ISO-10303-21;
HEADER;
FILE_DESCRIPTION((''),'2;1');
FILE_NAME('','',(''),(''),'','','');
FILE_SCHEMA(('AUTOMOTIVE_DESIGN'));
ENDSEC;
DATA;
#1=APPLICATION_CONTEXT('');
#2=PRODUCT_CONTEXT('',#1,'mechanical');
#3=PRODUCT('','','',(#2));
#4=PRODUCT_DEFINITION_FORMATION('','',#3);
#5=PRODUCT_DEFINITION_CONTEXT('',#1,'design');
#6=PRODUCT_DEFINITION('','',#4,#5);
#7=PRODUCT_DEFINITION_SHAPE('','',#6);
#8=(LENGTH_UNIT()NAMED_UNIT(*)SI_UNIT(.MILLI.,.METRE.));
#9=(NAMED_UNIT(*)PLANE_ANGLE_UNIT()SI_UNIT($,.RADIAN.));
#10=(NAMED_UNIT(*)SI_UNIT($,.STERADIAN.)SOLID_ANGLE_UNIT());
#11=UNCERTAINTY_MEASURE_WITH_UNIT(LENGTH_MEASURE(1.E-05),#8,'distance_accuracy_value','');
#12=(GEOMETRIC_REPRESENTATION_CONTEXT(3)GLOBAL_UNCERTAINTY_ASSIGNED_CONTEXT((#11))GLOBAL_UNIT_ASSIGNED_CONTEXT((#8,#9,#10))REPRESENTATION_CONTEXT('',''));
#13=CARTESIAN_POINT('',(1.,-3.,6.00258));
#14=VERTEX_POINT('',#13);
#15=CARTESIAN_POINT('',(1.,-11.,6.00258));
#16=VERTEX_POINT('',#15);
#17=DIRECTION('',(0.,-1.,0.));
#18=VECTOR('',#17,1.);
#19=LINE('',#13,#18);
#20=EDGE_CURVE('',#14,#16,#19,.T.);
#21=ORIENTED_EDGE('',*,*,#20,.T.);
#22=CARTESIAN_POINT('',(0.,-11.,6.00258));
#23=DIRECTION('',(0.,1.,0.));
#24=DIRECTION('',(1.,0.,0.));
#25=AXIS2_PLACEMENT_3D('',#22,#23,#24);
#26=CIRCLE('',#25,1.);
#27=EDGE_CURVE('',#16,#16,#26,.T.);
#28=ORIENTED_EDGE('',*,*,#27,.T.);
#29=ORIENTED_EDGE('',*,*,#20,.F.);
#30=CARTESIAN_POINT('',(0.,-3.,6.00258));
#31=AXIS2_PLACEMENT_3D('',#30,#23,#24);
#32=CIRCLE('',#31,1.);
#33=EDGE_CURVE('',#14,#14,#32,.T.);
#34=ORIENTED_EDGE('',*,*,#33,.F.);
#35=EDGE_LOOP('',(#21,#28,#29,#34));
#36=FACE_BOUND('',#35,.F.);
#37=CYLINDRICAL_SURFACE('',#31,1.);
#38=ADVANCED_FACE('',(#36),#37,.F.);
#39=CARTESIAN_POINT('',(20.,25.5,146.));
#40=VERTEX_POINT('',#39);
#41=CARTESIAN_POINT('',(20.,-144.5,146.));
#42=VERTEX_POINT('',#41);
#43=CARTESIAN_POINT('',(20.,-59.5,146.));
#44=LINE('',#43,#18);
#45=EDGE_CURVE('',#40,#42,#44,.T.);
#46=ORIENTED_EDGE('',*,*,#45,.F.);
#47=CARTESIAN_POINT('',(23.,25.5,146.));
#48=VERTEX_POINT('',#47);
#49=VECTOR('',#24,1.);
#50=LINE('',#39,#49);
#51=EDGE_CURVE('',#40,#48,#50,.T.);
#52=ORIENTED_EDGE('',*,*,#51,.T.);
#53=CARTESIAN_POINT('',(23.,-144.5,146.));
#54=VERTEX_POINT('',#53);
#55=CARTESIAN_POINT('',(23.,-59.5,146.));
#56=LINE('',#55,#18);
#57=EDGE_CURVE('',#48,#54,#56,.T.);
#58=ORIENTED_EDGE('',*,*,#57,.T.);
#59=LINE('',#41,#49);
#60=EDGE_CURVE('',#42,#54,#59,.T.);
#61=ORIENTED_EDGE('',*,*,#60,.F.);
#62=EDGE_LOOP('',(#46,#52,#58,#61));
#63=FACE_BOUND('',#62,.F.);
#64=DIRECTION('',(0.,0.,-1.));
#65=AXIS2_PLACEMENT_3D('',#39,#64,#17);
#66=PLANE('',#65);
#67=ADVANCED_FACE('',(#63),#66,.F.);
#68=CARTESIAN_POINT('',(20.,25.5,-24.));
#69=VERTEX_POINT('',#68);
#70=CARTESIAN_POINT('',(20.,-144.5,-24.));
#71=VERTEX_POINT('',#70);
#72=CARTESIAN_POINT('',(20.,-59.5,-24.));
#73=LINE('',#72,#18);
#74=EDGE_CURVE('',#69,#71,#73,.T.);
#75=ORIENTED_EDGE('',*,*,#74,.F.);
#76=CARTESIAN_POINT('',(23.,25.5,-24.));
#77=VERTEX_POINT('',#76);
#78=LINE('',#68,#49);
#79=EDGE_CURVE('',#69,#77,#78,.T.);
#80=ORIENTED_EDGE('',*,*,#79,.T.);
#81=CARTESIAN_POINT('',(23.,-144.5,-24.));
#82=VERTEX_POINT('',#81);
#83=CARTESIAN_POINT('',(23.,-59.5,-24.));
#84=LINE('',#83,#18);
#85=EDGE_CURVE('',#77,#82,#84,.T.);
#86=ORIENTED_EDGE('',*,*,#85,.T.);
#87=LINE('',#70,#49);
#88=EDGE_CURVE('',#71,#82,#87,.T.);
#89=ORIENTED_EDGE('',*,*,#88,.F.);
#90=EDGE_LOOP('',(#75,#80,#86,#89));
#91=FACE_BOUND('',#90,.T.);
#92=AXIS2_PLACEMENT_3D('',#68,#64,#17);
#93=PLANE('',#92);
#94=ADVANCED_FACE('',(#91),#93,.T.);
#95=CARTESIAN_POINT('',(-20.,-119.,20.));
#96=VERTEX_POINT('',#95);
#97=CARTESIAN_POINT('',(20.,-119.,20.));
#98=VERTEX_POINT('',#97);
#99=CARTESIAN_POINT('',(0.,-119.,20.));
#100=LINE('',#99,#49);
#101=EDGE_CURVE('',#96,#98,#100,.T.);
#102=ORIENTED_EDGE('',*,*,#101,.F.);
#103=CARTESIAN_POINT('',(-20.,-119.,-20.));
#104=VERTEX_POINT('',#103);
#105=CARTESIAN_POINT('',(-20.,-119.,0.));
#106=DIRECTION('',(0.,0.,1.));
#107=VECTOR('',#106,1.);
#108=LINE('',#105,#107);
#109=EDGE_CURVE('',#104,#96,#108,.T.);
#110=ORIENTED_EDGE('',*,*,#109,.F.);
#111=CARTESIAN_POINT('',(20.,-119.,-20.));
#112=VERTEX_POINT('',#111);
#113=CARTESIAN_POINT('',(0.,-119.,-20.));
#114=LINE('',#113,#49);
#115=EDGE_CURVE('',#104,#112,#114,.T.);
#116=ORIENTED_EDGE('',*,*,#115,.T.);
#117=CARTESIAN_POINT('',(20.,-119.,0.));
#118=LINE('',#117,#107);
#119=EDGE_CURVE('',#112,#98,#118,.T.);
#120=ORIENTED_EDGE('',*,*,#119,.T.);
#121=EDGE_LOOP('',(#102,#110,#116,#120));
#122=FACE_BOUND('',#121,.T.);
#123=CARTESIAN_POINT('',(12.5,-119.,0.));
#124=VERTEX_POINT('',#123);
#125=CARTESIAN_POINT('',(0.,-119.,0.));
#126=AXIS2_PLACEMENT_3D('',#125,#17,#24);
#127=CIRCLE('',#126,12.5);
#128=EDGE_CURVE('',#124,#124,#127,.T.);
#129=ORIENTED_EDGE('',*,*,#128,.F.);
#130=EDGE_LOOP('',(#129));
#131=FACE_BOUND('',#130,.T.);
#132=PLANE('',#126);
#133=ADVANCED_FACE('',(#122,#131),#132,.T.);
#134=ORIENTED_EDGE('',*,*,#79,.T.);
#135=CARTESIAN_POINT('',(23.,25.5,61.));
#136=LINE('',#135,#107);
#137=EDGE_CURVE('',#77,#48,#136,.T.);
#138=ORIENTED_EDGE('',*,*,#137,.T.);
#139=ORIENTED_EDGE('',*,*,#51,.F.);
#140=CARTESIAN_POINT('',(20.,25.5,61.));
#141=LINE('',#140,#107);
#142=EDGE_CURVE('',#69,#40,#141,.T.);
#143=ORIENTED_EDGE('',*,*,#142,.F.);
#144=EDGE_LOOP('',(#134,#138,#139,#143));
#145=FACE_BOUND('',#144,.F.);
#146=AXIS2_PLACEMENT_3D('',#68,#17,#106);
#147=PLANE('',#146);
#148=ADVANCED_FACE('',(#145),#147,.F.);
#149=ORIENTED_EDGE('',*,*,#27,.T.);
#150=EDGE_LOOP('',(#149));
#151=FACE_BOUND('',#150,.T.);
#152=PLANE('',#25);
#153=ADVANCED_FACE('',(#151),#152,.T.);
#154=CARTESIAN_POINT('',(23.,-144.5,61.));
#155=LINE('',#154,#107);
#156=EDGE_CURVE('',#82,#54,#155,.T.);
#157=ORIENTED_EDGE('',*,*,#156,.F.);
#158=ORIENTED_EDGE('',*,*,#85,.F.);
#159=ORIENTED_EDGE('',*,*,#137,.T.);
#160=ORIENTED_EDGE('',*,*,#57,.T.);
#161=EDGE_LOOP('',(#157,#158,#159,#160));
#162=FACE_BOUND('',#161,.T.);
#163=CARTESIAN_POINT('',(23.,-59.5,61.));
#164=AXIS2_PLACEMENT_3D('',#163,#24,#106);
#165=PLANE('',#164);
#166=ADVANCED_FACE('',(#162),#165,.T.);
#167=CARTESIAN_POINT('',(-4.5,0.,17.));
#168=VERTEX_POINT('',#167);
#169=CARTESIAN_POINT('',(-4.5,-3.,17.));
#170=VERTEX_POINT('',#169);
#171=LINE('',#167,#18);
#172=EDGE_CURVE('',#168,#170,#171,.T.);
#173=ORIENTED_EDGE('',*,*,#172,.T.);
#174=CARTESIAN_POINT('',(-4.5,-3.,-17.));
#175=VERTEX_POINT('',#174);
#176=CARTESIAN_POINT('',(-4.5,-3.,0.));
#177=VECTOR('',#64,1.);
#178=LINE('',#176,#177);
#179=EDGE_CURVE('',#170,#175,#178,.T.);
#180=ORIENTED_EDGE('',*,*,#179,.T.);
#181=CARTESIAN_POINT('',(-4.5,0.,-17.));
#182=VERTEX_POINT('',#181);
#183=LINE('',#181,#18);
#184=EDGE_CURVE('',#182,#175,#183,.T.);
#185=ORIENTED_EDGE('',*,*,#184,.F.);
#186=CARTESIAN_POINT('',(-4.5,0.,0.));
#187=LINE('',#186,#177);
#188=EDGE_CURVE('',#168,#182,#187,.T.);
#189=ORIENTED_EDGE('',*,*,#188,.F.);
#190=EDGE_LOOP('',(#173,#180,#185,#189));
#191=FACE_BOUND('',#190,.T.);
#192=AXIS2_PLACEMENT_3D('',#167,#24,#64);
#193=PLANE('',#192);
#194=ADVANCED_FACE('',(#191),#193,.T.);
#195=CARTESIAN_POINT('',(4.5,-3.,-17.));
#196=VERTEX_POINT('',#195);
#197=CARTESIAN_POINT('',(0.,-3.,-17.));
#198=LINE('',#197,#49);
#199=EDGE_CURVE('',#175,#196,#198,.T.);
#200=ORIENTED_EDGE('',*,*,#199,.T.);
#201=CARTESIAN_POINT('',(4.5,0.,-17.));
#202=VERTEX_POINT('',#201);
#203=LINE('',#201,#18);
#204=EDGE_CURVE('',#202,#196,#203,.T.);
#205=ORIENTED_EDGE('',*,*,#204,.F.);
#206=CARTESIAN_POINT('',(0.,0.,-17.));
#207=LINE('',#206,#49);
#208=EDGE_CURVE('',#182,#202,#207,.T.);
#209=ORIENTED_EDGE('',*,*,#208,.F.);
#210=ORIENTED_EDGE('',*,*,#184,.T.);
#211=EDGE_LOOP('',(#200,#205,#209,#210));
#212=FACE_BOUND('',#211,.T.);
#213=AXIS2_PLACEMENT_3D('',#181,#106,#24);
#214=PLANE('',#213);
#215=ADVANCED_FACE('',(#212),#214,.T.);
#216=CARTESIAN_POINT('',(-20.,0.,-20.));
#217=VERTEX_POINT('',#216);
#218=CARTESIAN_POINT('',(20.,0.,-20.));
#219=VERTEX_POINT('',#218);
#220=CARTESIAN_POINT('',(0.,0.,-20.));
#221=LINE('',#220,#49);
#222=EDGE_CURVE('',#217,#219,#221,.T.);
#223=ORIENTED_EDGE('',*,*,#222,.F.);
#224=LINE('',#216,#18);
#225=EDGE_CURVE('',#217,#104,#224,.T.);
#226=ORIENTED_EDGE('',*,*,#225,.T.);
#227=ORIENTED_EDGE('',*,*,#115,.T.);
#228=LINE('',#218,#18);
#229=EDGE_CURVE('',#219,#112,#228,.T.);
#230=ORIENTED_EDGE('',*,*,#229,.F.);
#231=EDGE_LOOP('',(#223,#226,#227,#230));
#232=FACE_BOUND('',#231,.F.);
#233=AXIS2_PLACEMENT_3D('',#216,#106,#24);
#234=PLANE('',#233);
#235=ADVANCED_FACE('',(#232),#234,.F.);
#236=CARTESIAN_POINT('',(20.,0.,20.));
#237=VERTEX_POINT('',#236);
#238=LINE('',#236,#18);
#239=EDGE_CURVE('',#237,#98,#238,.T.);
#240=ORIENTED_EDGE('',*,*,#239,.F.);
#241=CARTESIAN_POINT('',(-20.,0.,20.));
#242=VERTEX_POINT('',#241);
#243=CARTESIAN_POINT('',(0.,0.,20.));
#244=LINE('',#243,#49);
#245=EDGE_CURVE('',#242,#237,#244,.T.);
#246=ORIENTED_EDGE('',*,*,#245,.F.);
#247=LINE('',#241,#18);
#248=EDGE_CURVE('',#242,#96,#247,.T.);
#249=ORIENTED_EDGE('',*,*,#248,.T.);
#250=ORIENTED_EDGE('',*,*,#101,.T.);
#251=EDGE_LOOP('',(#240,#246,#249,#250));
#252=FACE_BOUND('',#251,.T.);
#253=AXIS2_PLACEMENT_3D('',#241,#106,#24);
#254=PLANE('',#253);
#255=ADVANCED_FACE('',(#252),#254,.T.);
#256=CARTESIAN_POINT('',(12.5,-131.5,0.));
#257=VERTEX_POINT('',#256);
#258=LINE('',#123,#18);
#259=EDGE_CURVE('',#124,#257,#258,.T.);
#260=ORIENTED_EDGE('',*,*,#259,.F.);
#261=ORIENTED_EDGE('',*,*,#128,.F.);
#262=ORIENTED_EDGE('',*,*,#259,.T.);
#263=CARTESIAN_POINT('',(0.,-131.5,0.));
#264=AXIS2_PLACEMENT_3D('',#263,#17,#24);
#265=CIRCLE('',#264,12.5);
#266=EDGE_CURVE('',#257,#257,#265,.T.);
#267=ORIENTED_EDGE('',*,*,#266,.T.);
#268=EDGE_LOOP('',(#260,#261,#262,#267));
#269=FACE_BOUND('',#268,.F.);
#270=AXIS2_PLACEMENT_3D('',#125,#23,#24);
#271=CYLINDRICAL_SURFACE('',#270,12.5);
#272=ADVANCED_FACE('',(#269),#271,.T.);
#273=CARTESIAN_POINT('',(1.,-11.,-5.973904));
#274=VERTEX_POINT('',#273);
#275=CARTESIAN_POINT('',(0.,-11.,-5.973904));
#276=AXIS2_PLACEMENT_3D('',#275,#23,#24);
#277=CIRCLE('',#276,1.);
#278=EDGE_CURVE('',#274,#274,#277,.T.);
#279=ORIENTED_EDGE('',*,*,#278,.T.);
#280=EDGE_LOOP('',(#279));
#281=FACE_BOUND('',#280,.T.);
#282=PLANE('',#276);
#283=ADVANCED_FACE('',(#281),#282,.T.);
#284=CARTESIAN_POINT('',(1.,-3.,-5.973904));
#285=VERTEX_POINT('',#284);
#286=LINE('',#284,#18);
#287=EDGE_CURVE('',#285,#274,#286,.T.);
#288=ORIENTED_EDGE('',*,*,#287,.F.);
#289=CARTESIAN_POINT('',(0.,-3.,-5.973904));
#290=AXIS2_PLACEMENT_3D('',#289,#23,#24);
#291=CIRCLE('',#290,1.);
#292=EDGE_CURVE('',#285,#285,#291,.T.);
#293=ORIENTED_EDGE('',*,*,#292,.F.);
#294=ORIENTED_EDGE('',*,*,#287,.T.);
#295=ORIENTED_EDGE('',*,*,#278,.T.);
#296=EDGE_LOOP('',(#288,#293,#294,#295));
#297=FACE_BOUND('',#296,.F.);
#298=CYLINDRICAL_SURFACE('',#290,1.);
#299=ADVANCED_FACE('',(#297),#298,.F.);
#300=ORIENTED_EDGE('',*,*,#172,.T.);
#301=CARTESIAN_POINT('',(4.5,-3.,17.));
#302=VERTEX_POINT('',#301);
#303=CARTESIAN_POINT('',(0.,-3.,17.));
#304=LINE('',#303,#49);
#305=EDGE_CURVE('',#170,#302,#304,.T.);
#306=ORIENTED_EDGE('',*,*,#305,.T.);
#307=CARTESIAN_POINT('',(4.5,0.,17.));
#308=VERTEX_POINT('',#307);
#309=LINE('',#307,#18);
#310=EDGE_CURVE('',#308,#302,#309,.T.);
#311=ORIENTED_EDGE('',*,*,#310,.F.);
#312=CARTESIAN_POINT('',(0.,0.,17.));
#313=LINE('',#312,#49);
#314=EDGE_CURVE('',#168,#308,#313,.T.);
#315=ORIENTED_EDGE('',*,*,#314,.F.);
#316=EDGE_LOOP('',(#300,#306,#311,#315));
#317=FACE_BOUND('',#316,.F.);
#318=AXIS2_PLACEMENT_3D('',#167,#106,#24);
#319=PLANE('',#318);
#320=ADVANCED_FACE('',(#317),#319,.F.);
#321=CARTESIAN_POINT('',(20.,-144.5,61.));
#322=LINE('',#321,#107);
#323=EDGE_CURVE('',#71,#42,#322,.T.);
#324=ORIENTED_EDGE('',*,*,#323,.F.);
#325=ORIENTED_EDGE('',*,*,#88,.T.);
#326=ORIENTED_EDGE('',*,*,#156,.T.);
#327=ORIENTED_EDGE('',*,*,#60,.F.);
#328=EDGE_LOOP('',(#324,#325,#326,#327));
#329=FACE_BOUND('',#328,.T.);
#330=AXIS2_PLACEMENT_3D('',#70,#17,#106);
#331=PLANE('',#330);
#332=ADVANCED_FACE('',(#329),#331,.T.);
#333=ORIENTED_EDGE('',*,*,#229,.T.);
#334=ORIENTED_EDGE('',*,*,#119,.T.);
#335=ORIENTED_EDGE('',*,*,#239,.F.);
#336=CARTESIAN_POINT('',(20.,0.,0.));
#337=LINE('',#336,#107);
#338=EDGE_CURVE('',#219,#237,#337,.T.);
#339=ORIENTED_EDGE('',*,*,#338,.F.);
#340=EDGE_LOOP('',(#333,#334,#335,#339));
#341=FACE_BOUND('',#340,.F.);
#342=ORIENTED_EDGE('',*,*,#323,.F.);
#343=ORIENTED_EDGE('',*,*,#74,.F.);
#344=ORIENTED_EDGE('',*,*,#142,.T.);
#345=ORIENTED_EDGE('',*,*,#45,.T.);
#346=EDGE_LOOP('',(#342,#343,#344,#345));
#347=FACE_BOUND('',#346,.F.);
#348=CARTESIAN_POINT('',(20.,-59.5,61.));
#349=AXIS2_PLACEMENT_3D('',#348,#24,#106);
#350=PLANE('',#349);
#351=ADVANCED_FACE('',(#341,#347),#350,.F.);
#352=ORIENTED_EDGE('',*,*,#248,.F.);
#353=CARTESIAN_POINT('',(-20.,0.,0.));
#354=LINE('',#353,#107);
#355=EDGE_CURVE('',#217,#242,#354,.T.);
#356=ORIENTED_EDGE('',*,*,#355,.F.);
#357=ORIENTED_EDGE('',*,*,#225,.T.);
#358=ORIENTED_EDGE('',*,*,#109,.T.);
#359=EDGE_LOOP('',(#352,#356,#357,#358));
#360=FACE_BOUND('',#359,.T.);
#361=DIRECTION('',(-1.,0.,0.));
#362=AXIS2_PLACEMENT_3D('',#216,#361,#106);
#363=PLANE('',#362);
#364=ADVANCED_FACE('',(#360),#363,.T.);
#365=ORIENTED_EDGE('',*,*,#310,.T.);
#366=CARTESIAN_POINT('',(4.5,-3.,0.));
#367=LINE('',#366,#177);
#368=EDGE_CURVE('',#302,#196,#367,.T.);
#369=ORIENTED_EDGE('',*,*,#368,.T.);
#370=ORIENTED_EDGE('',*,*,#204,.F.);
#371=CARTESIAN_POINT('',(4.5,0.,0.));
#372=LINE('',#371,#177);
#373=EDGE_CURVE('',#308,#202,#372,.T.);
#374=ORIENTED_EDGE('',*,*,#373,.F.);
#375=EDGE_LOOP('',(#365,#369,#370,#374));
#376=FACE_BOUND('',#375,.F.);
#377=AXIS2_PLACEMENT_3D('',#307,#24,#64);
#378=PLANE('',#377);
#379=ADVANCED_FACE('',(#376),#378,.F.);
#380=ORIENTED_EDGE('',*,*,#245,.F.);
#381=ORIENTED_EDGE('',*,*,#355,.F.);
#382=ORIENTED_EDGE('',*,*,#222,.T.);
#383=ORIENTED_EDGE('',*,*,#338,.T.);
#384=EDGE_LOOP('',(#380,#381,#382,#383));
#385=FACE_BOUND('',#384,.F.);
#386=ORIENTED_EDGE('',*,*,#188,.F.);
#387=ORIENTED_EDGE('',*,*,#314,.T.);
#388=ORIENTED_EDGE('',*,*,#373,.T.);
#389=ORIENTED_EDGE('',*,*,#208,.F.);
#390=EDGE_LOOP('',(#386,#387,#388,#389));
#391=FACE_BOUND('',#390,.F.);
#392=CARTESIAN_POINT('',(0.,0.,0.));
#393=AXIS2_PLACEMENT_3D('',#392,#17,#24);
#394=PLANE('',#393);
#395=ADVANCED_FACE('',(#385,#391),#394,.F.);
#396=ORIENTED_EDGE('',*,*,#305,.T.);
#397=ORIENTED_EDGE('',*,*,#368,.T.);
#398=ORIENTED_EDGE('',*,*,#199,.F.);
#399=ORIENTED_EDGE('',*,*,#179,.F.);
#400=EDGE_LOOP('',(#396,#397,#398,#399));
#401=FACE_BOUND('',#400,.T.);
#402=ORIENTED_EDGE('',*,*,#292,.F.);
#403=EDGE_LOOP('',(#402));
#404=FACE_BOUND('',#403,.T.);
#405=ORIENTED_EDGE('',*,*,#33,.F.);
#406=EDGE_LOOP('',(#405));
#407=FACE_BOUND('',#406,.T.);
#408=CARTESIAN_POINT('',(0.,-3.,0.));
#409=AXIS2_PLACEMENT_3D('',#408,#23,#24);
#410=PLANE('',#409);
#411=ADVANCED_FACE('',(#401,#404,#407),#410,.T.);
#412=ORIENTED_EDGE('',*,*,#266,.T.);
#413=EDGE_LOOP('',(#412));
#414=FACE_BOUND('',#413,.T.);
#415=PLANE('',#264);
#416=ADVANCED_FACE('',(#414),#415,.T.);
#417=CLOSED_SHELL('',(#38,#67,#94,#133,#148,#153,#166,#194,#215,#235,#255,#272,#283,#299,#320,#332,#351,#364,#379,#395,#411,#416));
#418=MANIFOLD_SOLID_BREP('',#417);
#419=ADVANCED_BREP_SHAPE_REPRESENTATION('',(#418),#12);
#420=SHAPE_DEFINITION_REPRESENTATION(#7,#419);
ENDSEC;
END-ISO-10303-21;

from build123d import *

# Parameters (mm, degrees)
SKETCH_W        = 40
SKETCH_H        = 40
PAD_DEPTH       = 119
SKETCH001_R     = 12.5
PAD001_DEPTH    = 12.5
SKETCH002_W     = 9
SKETCH002_H     = 34
POCKET_DEPTH    = 3
SKETCH003_R     = 1
POCKET001_DEPTH = 8
SKETCH004_W     = 170
SKETCH004_H     = 170
PAD002_DEPTH    = 3


with BuildPart() as part:
    # Sketch → Pad (new body)
    with BuildSketch(Plane.XZ):
        Rectangle(SKETCH_W, SKETCH_H)
    extrude(amount=PAD_DEPTH)

    # Sketch001 (on Face6 of Pad) → Pad001 (join)
    with BuildSketch(Plane.XZ.offset(119)):
        Circle(SKETCH001_R)
    extrude(amount=PAD001_DEPTH)

    # Sketch002 (on Face4 of Pad001) → Pocket (cut)
    with BuildSketch(Plane(origin=(0, 0, 0), x_dir=(1, 0, 0), z_dir=(0, 1, 0))):
        Rectangle(SKETCH002_W, SKETCH002_H)
    extrude(amount=-POCKET_DEPTH, mode=Mode.SUBTRACT)

    # Sketch003 (on Face12 of Pocket) → Pocket001 (cut)
    with BuildSketch(Plane(origin=(0, -3, 0), x_dir=(1, 0, 0), z_dir=(0, 1, 0))):
        with Locations((0, 5.973904)):
            Circle(SKETCH003_R)
        with Locations((0, -6.00258)):
            Circle(SKETCH003_R)
    extrude(amount=-POCKET001_DEPTH, mode=Mode.SUBTRACT)

    # Sketch004 (on Face3 of Pocket001) → Pad002 (join)
    with BuildSketch(Plane(origin=(20, 0, 0), x_dir=(0, 0, 1), z_dir=(1, 0, 0))):
        with Locations((61, 59.5)):
            Rectangle(SKETCH004_W, SKETCH004_H)
    extrude(amount=PAD002_DEPTH)


solid = part.part
